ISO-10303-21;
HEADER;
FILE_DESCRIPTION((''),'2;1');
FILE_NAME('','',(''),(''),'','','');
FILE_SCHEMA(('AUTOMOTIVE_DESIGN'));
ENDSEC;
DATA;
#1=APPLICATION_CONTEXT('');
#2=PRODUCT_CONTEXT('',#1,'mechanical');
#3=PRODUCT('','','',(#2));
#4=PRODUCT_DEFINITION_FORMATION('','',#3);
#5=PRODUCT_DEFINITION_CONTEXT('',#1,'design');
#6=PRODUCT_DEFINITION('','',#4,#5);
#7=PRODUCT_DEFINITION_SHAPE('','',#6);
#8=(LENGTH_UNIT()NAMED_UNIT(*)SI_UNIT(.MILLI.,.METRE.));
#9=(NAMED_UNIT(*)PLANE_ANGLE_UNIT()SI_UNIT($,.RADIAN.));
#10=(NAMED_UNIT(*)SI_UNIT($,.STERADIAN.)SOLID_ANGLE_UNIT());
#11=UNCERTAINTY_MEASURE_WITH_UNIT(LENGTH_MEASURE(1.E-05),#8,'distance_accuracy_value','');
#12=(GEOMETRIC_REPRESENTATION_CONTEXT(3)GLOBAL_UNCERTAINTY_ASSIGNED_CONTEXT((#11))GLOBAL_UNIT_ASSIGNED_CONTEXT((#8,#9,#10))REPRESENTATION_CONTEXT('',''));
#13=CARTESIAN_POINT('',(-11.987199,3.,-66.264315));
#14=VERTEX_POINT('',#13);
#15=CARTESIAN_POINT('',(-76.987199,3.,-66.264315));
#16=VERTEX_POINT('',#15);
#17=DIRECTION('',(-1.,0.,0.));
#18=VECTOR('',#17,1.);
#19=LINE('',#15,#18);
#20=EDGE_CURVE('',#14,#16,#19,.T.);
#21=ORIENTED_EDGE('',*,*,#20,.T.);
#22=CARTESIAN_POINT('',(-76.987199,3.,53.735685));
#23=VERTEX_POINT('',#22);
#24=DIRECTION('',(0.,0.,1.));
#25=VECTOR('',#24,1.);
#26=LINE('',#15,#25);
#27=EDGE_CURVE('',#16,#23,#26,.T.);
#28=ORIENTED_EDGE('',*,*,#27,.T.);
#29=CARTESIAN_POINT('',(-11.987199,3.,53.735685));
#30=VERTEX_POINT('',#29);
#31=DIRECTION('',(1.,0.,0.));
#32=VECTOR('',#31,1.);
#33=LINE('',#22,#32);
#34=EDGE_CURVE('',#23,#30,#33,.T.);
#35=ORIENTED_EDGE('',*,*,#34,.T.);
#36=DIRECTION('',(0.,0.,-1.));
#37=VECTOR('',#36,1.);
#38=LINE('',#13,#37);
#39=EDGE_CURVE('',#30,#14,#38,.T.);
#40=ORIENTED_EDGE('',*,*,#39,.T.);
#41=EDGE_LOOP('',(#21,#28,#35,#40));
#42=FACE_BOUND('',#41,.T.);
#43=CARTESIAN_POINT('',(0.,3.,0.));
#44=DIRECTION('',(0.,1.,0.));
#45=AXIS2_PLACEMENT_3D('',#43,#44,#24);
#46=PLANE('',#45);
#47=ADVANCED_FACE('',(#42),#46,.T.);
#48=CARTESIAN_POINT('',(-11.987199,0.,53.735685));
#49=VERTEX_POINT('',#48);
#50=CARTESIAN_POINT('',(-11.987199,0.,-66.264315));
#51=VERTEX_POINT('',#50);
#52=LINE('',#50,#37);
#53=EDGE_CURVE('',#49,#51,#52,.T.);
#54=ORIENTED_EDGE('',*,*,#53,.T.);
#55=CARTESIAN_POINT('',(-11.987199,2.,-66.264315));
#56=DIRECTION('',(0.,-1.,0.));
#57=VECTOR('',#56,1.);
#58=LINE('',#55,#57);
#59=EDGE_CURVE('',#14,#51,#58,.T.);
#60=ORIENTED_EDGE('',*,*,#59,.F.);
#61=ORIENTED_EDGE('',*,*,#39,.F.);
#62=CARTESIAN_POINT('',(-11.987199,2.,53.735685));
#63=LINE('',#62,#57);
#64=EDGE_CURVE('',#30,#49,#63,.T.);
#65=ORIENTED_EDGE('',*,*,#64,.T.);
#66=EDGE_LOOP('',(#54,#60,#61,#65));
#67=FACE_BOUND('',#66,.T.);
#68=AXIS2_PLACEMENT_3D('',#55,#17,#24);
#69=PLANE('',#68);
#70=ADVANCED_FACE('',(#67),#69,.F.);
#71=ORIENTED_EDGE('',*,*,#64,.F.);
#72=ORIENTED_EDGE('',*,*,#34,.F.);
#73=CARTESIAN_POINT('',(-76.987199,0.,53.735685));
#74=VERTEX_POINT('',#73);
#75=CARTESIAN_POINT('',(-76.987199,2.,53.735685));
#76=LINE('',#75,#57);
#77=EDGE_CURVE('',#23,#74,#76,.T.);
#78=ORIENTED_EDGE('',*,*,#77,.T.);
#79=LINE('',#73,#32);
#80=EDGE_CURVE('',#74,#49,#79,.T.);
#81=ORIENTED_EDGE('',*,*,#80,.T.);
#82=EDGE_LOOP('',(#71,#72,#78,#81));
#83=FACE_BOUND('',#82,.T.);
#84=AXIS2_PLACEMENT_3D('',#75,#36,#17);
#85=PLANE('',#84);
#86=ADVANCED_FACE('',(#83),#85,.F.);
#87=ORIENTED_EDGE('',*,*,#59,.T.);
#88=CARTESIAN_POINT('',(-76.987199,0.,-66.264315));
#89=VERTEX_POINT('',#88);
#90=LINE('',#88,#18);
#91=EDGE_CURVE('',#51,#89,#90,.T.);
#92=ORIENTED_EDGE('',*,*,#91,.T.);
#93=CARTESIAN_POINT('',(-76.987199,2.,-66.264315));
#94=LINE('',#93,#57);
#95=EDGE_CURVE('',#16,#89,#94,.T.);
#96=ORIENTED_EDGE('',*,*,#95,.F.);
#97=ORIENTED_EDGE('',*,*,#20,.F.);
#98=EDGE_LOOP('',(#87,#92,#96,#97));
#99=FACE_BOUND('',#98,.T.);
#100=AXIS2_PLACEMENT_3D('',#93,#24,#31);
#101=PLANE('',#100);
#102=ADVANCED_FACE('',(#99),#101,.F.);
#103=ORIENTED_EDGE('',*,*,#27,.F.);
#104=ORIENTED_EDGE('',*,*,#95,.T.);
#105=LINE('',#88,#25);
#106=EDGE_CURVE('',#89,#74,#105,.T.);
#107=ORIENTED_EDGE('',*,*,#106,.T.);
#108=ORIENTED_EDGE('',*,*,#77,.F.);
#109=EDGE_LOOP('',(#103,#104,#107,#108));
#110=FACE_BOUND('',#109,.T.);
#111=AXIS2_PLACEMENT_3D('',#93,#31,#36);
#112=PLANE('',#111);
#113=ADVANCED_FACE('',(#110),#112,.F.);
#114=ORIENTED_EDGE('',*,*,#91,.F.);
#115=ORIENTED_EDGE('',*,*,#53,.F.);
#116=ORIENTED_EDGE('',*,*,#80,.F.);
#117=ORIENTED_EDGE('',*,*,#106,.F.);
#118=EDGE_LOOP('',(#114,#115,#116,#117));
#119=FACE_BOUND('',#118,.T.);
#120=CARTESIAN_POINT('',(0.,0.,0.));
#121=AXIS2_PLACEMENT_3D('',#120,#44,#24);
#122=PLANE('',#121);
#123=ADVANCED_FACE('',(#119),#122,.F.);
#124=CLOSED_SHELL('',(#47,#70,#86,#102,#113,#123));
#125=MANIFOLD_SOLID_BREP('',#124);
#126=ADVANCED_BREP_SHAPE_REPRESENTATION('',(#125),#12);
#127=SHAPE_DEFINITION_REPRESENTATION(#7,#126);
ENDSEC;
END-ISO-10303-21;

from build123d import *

# Parameters (mm, degrees)
SKETCH1_W           = 65
SKETCH1_H           = 120
BOSS_EXTRUDE1_DEPTH = 2
SKETCH2_W           = 65
SKETCH2_H           = 120
BOSS_EXTRUDE3_DEPTH = 1


with BuildPart() as part:
    # Sketch1 → Boss-Extrude1 (new body)
    with BuildSketch(Plane(origin=(0, 0, 0), x_dir=(1, 0, 0), z_dir=(0, 1, 0))):
        with Locations((-44.487199396, 6.264315183)):
            Rectangle(SKETCH1_W, SKETCH1_H)
    extrude(amount=BOSS_EXTRUDE1_DEPTH)

    # Sketch2 → Boss-Extrude3 (add)
    with BuildSketch(Plane(origin=(0, 2, 0), x_dir=(1, 0, 0), z_dir=(0, 1, 0))):
        with Locations((-44.487199396, 6.264315183)):
            Rectangle(SKETCH2_W, SKETCH2_H)
    extrude(amount=BOSS_EXTRUDE3_DEPTH)


solid = part.part
